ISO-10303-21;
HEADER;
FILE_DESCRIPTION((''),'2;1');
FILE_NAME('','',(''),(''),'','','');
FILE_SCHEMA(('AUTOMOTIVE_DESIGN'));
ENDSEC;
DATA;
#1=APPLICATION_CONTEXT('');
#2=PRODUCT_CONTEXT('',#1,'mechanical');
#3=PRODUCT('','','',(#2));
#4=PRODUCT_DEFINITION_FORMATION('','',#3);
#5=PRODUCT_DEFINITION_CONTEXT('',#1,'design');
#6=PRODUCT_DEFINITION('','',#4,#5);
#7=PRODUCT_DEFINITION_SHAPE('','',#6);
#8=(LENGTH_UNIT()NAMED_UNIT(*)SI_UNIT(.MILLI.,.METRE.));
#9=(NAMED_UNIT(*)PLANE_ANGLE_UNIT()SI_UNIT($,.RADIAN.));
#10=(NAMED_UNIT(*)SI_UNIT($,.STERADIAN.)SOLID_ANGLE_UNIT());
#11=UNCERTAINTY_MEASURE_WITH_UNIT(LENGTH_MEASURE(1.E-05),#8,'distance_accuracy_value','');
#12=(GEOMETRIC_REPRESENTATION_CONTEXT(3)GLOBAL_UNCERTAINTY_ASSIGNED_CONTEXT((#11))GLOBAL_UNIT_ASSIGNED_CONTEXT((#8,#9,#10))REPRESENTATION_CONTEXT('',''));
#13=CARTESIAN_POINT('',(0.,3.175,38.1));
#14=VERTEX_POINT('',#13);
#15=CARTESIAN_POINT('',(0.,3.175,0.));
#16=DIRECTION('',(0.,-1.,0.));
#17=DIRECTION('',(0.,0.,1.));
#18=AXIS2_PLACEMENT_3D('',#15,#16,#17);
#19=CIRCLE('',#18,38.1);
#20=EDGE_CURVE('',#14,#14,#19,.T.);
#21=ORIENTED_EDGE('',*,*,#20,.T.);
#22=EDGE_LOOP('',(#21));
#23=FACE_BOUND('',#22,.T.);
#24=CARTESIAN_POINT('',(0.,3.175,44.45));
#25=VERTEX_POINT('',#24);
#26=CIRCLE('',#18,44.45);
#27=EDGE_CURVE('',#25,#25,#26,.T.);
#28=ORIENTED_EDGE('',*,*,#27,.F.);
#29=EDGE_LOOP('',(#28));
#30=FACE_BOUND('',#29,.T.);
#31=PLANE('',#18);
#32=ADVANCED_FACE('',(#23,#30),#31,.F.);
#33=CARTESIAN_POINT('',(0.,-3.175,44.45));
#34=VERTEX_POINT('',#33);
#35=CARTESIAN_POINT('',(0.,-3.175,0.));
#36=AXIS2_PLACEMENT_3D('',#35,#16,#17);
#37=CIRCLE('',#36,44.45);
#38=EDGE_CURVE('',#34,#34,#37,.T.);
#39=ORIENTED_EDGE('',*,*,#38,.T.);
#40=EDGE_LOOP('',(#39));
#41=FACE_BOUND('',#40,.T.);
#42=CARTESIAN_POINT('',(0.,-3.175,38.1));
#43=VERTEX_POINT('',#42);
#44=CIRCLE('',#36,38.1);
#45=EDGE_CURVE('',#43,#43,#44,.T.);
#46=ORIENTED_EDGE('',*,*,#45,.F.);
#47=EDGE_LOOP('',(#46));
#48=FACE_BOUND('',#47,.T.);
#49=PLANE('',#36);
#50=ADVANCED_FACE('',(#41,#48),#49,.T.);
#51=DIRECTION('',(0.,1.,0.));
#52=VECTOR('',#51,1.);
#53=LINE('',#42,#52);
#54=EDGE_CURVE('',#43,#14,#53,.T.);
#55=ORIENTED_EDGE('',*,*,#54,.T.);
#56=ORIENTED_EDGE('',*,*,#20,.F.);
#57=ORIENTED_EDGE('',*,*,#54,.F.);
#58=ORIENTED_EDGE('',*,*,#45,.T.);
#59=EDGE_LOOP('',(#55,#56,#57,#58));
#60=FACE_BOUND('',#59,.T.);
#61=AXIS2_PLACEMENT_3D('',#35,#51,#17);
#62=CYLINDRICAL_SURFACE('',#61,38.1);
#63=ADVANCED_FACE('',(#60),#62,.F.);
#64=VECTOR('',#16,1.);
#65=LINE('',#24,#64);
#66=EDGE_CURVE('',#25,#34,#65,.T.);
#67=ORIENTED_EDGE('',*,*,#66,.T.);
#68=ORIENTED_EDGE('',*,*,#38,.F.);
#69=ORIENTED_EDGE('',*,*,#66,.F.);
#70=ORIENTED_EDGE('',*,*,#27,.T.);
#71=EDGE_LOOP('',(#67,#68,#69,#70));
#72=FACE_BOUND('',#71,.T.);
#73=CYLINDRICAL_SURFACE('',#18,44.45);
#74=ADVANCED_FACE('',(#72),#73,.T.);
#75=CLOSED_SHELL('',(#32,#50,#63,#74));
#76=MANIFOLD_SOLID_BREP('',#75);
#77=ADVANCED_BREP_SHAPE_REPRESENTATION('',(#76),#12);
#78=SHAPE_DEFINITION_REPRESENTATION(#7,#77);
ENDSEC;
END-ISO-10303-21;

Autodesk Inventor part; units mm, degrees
ref_plane "YZ Plane" through (0, 0, 0) normal (1, 0, 0) x (0, 1, 0)
ref_plane "XZ Plane" through (0, 0, 0) normal (0, 1, 0) x (-1, 0, 0)
ref_plane "XY Plane" through (0, 0, 0) normal (0, 0, 1) x (1, 0, 0)
sketch "Sketch1" plane through (0, 0, 0) normal (1, 0, 0) x (0, 1, 0)
  line L0 (-3.175, 38.1) -> (3.175, 38.1)
  line L1 (3.175, 38.1) -> (3.175, 44.45)
  line L2 (3.175, 44.45) -> (-3.175, 44.45)
  line L3 (-3.175, 44.45) -> (-3.175, 38.1)
  line L4 (-3.175, 38.1) -> (3.175, 44.45) construction
  line L5 (3.175, 38.1) -> (-3.175, 44.45) construction
  line L6 (10.9322, 0) -> (-10.9322, 0)
  point P0 (0, 0)
  point P1 (0, 41.275)
  point P2 (0, 0)
  dimension "d0" = 76.2
  dimension "d1" = 88.9
  dimension "d2" = 6.35
revolve "Revolution1" add sketch "Sketch1" angle 360 about axis through (0, 10.9322, 0) along (0, -1, 0)
properties part number "BEARING_HGB" material "Stainless Steel"
